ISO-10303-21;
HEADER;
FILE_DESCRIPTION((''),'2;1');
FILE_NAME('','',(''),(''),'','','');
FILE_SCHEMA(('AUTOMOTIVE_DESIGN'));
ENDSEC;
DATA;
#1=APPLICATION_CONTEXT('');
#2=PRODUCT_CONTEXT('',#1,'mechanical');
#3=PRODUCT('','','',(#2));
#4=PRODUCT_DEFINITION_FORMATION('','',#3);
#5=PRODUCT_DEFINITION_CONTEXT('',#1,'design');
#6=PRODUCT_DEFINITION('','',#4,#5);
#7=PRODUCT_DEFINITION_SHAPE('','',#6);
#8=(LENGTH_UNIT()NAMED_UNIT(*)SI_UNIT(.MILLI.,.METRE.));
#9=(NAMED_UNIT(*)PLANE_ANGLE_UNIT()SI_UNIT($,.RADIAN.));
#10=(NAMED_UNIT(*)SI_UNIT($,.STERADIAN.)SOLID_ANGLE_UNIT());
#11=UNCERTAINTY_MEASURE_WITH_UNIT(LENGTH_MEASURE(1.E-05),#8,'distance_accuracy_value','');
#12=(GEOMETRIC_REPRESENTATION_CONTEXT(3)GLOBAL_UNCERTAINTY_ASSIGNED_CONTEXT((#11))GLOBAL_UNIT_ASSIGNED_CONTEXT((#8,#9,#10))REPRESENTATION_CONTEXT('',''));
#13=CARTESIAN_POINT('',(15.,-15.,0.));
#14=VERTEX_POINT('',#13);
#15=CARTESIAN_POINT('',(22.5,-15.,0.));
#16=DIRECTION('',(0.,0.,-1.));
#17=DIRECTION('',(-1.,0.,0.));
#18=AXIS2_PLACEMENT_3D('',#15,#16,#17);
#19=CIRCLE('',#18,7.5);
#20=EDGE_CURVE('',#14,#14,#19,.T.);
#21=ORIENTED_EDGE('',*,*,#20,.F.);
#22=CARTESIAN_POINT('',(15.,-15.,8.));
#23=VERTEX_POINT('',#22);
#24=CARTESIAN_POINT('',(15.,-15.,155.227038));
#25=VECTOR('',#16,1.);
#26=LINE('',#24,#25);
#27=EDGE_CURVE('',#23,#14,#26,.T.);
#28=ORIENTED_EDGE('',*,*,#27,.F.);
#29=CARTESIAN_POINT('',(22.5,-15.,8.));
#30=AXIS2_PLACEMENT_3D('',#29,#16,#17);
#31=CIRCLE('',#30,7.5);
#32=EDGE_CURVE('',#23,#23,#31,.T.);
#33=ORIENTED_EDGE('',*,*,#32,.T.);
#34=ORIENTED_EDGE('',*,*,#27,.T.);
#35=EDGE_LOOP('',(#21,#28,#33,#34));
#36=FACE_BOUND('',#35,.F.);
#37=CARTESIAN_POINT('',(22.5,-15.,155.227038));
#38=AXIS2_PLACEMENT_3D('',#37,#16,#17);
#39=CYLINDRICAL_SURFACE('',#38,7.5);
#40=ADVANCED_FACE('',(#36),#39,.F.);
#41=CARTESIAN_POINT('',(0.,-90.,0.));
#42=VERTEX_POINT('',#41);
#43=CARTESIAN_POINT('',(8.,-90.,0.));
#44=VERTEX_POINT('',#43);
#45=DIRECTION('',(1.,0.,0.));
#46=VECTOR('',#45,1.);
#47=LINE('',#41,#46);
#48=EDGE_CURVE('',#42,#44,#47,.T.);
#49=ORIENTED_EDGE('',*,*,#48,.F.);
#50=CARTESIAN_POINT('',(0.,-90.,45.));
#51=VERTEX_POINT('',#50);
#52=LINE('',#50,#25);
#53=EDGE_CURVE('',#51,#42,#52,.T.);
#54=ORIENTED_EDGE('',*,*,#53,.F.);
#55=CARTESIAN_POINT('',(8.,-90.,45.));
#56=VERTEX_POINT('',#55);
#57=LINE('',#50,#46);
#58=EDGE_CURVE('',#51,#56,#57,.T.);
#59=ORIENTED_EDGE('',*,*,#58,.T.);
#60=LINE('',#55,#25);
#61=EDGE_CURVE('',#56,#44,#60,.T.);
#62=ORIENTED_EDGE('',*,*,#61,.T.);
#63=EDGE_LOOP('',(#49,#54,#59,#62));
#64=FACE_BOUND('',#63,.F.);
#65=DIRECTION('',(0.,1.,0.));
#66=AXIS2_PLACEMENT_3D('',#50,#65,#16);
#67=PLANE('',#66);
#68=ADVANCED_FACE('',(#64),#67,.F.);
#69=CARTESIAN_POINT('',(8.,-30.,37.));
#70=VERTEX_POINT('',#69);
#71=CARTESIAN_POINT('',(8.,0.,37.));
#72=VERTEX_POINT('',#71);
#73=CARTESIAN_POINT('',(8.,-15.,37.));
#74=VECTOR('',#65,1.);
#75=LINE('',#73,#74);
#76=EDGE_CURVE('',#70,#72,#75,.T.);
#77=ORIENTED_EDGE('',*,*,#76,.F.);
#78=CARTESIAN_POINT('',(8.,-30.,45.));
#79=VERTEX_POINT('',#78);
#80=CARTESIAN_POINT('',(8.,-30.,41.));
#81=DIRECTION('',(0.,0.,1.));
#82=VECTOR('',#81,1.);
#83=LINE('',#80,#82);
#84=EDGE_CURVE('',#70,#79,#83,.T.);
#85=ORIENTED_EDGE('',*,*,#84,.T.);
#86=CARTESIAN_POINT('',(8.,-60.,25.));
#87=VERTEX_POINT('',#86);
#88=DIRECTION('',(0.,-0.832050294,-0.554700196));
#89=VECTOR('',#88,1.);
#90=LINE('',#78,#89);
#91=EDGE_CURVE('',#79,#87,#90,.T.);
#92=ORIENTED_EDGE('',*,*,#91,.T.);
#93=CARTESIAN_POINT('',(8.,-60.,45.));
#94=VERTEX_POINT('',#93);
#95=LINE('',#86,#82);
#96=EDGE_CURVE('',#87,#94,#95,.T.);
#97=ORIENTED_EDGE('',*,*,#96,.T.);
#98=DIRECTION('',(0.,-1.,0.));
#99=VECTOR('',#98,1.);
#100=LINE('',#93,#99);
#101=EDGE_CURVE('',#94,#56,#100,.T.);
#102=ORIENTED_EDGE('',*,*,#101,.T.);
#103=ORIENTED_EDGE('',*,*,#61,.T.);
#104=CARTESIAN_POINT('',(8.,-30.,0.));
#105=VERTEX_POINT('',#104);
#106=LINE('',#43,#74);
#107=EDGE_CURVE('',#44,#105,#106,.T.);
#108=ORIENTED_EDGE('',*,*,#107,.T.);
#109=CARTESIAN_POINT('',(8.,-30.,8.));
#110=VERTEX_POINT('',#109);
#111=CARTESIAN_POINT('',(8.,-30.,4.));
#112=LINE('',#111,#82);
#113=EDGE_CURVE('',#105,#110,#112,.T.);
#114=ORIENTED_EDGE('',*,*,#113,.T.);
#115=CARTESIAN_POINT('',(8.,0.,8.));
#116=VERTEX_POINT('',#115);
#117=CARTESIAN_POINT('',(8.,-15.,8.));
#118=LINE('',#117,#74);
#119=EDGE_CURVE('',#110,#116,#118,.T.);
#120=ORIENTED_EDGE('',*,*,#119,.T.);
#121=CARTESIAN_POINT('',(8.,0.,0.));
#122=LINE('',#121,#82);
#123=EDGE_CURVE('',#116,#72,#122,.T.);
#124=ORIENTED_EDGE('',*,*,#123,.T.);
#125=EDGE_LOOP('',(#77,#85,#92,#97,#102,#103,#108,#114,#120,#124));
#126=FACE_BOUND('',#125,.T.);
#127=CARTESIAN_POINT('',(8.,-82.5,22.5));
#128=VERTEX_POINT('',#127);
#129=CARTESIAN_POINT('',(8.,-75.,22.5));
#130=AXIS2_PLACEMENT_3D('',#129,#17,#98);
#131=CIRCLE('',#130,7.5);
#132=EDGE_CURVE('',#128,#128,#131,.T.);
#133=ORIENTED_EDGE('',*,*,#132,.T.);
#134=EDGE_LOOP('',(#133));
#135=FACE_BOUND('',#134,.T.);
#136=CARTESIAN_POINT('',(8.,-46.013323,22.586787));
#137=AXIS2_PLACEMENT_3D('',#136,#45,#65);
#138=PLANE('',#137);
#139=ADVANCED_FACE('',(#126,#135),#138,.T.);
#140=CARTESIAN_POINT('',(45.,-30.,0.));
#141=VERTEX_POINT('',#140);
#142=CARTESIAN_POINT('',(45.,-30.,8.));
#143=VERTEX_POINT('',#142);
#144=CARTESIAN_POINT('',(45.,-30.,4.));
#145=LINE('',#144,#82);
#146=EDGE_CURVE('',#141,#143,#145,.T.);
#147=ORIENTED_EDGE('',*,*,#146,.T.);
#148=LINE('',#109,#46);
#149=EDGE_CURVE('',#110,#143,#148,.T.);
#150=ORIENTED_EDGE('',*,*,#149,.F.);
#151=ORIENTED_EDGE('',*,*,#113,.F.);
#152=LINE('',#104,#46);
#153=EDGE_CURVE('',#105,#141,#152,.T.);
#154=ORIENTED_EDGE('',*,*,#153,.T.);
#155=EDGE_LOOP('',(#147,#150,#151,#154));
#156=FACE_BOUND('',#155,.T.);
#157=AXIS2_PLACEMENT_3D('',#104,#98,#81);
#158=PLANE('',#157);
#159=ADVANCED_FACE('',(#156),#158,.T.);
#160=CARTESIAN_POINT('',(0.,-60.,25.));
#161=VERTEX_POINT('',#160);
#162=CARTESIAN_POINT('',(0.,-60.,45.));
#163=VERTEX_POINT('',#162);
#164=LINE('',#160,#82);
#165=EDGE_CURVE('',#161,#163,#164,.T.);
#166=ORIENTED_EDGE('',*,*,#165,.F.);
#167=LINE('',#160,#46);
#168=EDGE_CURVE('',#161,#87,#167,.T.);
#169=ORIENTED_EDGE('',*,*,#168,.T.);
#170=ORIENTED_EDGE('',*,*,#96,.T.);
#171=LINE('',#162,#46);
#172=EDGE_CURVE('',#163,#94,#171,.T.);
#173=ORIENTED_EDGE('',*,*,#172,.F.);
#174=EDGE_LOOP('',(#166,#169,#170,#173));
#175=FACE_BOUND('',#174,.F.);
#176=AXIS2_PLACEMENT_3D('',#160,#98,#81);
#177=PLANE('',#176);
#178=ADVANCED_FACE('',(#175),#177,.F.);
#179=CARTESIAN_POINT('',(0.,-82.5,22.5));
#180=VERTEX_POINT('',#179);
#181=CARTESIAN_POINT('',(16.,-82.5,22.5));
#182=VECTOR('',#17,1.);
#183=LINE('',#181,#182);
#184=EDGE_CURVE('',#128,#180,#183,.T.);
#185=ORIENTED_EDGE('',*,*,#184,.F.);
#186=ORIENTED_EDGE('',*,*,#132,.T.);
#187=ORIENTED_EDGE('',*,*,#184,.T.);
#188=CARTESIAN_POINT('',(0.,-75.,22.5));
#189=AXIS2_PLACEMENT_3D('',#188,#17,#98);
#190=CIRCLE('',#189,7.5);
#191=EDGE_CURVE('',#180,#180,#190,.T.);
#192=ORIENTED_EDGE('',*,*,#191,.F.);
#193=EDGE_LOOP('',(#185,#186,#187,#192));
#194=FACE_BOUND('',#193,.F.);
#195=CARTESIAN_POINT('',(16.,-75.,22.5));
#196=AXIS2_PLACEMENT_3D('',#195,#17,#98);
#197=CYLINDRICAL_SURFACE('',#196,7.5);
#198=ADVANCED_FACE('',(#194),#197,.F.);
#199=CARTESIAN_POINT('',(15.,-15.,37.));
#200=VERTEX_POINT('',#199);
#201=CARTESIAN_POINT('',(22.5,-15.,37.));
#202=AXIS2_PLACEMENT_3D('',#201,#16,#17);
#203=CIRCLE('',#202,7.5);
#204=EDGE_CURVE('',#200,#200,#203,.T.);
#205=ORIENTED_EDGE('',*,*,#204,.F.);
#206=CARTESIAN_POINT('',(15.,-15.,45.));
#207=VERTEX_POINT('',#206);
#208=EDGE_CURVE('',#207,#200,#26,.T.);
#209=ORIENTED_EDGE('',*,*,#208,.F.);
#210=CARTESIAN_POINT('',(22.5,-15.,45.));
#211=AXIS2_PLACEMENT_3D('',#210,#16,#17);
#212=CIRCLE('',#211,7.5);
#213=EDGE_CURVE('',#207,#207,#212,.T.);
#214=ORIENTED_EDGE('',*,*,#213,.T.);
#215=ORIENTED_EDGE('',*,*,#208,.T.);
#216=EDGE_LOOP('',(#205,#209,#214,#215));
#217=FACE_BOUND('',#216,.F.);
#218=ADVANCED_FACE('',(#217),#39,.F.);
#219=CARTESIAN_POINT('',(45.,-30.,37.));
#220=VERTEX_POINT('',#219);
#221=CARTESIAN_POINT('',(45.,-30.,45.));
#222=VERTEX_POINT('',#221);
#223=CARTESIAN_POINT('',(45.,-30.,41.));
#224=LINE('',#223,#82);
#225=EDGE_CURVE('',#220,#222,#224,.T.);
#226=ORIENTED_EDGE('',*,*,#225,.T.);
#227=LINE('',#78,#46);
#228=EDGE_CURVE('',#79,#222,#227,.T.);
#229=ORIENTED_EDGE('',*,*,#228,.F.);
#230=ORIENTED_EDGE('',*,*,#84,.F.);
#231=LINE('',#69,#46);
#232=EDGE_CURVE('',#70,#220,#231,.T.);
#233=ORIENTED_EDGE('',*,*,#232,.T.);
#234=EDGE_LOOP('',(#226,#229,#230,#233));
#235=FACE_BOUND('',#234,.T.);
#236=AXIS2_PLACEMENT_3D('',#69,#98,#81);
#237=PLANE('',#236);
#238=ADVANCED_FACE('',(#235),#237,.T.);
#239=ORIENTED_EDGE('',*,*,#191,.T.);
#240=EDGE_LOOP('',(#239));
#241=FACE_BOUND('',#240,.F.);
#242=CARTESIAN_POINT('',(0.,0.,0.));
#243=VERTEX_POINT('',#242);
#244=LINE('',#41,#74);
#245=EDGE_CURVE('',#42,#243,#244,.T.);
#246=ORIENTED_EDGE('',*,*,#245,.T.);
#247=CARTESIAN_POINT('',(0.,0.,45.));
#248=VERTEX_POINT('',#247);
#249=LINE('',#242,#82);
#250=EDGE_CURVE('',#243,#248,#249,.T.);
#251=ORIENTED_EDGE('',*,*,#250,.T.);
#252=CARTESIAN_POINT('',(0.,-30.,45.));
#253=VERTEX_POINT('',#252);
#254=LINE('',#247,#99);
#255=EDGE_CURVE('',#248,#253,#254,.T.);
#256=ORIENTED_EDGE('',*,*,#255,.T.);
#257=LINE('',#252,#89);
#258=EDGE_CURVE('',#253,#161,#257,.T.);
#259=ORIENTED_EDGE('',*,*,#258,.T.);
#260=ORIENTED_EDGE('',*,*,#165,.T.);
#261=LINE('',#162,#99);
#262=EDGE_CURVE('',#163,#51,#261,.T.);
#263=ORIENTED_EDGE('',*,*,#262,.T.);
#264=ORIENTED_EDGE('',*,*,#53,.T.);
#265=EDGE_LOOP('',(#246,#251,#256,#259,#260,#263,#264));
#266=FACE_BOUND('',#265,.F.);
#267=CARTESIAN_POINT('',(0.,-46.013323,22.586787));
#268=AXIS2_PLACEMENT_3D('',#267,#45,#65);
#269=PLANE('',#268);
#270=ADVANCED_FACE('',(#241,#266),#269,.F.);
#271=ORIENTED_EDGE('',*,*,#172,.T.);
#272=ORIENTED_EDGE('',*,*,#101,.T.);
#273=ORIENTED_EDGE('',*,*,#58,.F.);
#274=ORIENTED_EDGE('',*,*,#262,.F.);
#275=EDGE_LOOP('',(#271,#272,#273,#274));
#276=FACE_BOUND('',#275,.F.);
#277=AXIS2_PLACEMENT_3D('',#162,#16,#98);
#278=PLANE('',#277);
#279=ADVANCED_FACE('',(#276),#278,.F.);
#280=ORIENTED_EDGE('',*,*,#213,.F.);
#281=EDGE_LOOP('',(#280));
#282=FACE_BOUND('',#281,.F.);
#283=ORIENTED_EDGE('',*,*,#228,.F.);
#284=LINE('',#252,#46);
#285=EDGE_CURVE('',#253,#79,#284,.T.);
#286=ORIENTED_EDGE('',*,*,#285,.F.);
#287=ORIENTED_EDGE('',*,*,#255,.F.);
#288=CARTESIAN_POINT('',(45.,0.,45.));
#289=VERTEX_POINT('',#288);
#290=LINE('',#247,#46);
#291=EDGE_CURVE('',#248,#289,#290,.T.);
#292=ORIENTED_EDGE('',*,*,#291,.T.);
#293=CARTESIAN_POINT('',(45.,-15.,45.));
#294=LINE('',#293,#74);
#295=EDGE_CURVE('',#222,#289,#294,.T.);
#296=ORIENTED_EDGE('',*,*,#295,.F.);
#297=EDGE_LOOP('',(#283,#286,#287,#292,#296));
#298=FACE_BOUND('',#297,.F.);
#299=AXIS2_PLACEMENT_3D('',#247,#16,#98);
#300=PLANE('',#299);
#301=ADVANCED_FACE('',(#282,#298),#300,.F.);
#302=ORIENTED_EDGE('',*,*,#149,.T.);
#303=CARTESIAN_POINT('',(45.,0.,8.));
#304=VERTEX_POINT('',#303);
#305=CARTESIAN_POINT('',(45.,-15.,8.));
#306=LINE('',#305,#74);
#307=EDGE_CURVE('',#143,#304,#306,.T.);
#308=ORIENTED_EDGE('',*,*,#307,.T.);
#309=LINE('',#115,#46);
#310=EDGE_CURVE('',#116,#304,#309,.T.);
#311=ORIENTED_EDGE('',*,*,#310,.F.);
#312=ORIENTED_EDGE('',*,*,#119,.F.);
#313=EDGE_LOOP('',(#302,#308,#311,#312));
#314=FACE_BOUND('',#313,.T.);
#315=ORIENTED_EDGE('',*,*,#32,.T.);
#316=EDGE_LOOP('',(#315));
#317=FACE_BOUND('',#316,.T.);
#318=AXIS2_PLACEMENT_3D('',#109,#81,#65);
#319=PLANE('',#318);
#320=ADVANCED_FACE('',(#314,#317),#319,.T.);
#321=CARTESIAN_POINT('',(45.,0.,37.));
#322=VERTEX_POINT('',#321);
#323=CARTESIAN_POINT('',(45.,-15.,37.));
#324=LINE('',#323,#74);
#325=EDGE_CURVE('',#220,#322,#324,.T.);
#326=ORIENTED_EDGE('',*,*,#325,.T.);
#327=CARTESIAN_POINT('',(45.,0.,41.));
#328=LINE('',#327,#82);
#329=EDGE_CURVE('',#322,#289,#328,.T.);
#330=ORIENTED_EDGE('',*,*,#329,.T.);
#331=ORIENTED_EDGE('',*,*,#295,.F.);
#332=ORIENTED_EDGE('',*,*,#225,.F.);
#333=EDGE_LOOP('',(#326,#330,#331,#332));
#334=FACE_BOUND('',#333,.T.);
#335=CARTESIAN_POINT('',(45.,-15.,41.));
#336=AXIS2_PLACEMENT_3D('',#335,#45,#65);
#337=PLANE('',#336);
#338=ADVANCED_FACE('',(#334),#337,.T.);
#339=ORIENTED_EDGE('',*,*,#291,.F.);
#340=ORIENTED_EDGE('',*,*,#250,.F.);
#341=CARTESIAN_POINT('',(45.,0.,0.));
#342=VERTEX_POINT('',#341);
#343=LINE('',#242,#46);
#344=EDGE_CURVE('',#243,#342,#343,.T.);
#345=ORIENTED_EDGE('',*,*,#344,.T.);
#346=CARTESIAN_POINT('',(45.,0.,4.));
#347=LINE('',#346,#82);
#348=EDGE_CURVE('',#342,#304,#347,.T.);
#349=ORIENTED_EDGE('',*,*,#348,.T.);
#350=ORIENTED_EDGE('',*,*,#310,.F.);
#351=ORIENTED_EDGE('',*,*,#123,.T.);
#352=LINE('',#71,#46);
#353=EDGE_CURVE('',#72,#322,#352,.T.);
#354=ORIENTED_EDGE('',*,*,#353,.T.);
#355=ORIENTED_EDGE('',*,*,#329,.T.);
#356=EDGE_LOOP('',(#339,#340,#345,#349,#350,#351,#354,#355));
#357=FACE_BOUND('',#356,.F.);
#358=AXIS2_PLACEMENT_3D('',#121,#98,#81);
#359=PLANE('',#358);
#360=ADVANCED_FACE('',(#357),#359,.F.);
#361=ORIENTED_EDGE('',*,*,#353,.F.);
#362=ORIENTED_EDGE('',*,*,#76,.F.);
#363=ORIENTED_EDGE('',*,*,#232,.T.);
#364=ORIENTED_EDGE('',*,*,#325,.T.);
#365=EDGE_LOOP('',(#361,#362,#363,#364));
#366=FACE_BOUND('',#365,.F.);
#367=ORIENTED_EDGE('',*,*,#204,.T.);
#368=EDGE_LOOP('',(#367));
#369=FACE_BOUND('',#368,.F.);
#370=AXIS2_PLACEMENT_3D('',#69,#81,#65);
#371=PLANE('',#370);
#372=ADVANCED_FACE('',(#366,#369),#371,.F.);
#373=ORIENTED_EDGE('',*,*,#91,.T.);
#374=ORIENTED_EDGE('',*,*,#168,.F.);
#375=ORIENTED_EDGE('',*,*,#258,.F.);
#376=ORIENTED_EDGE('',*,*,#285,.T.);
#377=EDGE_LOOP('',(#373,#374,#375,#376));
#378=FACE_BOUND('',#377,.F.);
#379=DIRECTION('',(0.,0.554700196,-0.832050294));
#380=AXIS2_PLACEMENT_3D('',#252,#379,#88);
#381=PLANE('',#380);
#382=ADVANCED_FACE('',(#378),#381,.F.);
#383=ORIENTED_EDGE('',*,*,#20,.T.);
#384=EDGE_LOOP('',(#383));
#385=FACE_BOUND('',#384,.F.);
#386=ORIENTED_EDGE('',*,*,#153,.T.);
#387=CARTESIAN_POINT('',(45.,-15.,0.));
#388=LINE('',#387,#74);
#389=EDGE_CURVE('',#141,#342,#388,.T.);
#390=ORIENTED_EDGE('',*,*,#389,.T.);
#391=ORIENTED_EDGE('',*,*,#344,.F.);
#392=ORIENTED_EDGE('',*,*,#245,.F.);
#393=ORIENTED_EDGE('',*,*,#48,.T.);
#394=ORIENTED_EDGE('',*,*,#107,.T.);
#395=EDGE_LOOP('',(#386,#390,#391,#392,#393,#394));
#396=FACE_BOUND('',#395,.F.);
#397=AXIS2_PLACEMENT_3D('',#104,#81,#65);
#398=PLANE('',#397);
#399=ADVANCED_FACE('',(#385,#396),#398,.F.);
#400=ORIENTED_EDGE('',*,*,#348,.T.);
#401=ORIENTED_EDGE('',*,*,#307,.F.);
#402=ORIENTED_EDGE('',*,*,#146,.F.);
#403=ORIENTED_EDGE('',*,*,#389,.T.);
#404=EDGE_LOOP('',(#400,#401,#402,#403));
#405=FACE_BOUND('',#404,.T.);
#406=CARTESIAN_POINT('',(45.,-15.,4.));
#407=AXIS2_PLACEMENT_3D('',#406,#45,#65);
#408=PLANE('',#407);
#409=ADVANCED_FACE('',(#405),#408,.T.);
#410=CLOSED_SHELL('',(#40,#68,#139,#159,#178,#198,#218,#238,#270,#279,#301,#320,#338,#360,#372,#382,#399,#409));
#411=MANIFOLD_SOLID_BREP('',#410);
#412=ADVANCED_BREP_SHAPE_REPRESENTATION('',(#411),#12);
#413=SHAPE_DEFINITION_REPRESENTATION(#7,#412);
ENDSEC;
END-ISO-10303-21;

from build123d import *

# Parameters (mm, degrees)
F1_DEPTH = 8
F2_W     = 30
F2_H     = 8
F3_DEPTH = 37
F6_D     = 15
F7_D     = 15
F7_DEPTH = 8


with BuildPart() as f1:
    # F0 (on Right) → F1 (new body)
    with BuildSketch(Plane.YZ):
        Polygon((-60, 45), (-90, 45), (-90, 0), (0, 0), (0, 45), (-30, 45), (-60, 25), align=None)
    extrude(amount=F1_DEPTH)

    # F2 (on face) → F3 (join)
    with BuildSketch(Plane.YZ.offset(8)):
        with Locations((-15, 4)):
            Rectangle(F2_W, F2_H)
        with Locations((-15, 41)):
            Rectangle(F2_W, F2_H)
    extrude(amount=F3_DEPTH)

    # F6 (through all)
    with Locations(Plane.XY.offset(45)):
        with Locations((22.5, -15)):
            Hole(F6_D / 2)

    # F7
    with Locations(Plane.YZ.offset(8)):
        with Locations((-75, 22.5)):
            Hole(F7_D / 2, depth=F7_DEPTH)


solid = f1.part
